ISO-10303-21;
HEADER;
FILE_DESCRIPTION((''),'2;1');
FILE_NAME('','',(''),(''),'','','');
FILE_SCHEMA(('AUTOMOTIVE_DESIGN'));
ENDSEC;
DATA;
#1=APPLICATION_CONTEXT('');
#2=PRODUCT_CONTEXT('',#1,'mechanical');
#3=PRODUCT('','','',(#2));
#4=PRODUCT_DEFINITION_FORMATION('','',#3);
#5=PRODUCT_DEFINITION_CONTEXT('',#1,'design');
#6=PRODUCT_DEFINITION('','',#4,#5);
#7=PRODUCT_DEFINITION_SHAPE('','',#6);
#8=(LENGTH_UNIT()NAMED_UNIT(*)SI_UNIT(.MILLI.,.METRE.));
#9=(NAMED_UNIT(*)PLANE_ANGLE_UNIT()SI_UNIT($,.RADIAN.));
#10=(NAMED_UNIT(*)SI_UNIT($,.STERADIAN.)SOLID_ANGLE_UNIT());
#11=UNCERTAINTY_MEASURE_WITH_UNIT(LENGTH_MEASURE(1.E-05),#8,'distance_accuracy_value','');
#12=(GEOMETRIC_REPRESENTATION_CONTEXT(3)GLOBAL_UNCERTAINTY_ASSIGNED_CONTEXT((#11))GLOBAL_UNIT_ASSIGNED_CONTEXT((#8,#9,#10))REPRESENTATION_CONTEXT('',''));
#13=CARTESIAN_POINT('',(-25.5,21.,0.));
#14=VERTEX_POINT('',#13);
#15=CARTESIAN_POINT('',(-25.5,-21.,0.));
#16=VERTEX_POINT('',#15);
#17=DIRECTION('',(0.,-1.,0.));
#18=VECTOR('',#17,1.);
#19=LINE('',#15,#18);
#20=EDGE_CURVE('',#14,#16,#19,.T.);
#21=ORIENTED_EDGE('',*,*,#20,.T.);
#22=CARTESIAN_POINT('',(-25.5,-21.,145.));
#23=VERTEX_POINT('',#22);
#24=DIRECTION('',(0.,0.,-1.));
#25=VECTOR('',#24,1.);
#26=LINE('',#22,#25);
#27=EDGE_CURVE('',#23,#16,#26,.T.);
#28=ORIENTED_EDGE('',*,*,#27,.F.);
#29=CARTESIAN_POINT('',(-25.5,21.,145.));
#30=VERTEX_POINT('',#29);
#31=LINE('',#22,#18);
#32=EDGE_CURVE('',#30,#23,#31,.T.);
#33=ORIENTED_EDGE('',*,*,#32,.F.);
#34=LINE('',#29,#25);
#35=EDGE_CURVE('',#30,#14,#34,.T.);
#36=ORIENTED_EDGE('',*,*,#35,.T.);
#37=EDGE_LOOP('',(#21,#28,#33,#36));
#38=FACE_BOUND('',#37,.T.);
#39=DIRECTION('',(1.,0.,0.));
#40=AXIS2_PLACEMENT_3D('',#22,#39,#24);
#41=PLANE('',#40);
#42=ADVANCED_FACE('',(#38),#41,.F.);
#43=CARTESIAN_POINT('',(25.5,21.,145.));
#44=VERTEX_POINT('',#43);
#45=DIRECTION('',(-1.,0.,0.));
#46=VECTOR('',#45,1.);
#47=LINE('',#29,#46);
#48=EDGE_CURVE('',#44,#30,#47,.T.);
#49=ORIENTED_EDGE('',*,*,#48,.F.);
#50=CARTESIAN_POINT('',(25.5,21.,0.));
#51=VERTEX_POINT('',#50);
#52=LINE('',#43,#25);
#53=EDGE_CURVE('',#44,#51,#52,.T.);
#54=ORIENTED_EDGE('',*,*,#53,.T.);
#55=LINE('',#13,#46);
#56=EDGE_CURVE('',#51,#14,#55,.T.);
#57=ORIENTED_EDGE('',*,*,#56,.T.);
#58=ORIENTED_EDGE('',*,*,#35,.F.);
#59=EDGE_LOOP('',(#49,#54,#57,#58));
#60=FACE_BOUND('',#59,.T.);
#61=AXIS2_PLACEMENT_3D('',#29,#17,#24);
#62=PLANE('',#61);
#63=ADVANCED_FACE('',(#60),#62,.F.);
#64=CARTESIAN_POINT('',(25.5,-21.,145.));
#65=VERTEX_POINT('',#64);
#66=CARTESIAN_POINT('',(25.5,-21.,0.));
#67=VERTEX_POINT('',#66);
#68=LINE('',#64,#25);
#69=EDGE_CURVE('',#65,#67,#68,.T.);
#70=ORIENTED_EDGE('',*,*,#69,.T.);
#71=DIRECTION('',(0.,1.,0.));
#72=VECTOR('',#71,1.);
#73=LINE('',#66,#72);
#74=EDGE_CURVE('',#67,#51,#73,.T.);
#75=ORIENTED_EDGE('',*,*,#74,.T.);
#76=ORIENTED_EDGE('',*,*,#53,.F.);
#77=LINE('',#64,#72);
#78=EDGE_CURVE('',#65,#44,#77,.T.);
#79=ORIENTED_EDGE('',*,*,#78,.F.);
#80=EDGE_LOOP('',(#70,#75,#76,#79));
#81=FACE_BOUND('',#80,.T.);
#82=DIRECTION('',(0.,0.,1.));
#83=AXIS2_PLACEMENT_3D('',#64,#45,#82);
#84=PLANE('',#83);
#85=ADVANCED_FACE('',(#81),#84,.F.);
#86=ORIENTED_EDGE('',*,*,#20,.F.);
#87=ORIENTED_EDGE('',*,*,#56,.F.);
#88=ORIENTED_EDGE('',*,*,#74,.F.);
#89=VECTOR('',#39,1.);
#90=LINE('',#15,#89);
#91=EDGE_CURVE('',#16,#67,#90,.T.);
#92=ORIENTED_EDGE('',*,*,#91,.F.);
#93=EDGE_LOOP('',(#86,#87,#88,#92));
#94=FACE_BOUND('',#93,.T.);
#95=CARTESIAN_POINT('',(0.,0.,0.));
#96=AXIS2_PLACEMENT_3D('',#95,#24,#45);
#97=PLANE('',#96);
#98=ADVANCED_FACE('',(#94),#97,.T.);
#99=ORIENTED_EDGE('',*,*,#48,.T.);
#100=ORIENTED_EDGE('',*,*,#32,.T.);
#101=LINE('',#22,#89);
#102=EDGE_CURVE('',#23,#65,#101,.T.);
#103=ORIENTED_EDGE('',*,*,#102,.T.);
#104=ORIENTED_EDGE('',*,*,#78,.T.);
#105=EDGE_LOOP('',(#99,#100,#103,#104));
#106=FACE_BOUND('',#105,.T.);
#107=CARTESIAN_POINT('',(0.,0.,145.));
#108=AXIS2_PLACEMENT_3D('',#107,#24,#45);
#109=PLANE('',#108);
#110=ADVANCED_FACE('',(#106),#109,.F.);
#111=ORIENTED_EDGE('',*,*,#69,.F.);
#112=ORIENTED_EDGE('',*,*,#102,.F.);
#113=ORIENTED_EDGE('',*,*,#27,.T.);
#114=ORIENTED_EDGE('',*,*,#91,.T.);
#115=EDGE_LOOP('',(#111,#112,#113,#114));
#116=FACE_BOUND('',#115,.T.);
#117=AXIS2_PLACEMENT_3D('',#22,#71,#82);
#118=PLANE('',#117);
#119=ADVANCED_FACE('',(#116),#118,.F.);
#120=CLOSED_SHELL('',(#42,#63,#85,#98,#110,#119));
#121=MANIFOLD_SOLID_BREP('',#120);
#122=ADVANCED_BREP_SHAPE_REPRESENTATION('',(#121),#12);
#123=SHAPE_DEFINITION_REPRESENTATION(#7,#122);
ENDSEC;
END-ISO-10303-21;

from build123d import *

# Parameters (mm, degrees)
SKETCH1_W           = 51
SKETCH1_H           = 42
BOSS_EXTRUDE1_DEPTH = 145


with BuildPart() as part:
    # Sketch1 → Boss-Extrude1 (new body)
    with BuildSketch(Plane.XY):
        Rectangle(SKETCH1_W, SKETCH1_H)
    extrude(amount=BOSS_EXTRUDE1_DEPTH)


solid = part.part
